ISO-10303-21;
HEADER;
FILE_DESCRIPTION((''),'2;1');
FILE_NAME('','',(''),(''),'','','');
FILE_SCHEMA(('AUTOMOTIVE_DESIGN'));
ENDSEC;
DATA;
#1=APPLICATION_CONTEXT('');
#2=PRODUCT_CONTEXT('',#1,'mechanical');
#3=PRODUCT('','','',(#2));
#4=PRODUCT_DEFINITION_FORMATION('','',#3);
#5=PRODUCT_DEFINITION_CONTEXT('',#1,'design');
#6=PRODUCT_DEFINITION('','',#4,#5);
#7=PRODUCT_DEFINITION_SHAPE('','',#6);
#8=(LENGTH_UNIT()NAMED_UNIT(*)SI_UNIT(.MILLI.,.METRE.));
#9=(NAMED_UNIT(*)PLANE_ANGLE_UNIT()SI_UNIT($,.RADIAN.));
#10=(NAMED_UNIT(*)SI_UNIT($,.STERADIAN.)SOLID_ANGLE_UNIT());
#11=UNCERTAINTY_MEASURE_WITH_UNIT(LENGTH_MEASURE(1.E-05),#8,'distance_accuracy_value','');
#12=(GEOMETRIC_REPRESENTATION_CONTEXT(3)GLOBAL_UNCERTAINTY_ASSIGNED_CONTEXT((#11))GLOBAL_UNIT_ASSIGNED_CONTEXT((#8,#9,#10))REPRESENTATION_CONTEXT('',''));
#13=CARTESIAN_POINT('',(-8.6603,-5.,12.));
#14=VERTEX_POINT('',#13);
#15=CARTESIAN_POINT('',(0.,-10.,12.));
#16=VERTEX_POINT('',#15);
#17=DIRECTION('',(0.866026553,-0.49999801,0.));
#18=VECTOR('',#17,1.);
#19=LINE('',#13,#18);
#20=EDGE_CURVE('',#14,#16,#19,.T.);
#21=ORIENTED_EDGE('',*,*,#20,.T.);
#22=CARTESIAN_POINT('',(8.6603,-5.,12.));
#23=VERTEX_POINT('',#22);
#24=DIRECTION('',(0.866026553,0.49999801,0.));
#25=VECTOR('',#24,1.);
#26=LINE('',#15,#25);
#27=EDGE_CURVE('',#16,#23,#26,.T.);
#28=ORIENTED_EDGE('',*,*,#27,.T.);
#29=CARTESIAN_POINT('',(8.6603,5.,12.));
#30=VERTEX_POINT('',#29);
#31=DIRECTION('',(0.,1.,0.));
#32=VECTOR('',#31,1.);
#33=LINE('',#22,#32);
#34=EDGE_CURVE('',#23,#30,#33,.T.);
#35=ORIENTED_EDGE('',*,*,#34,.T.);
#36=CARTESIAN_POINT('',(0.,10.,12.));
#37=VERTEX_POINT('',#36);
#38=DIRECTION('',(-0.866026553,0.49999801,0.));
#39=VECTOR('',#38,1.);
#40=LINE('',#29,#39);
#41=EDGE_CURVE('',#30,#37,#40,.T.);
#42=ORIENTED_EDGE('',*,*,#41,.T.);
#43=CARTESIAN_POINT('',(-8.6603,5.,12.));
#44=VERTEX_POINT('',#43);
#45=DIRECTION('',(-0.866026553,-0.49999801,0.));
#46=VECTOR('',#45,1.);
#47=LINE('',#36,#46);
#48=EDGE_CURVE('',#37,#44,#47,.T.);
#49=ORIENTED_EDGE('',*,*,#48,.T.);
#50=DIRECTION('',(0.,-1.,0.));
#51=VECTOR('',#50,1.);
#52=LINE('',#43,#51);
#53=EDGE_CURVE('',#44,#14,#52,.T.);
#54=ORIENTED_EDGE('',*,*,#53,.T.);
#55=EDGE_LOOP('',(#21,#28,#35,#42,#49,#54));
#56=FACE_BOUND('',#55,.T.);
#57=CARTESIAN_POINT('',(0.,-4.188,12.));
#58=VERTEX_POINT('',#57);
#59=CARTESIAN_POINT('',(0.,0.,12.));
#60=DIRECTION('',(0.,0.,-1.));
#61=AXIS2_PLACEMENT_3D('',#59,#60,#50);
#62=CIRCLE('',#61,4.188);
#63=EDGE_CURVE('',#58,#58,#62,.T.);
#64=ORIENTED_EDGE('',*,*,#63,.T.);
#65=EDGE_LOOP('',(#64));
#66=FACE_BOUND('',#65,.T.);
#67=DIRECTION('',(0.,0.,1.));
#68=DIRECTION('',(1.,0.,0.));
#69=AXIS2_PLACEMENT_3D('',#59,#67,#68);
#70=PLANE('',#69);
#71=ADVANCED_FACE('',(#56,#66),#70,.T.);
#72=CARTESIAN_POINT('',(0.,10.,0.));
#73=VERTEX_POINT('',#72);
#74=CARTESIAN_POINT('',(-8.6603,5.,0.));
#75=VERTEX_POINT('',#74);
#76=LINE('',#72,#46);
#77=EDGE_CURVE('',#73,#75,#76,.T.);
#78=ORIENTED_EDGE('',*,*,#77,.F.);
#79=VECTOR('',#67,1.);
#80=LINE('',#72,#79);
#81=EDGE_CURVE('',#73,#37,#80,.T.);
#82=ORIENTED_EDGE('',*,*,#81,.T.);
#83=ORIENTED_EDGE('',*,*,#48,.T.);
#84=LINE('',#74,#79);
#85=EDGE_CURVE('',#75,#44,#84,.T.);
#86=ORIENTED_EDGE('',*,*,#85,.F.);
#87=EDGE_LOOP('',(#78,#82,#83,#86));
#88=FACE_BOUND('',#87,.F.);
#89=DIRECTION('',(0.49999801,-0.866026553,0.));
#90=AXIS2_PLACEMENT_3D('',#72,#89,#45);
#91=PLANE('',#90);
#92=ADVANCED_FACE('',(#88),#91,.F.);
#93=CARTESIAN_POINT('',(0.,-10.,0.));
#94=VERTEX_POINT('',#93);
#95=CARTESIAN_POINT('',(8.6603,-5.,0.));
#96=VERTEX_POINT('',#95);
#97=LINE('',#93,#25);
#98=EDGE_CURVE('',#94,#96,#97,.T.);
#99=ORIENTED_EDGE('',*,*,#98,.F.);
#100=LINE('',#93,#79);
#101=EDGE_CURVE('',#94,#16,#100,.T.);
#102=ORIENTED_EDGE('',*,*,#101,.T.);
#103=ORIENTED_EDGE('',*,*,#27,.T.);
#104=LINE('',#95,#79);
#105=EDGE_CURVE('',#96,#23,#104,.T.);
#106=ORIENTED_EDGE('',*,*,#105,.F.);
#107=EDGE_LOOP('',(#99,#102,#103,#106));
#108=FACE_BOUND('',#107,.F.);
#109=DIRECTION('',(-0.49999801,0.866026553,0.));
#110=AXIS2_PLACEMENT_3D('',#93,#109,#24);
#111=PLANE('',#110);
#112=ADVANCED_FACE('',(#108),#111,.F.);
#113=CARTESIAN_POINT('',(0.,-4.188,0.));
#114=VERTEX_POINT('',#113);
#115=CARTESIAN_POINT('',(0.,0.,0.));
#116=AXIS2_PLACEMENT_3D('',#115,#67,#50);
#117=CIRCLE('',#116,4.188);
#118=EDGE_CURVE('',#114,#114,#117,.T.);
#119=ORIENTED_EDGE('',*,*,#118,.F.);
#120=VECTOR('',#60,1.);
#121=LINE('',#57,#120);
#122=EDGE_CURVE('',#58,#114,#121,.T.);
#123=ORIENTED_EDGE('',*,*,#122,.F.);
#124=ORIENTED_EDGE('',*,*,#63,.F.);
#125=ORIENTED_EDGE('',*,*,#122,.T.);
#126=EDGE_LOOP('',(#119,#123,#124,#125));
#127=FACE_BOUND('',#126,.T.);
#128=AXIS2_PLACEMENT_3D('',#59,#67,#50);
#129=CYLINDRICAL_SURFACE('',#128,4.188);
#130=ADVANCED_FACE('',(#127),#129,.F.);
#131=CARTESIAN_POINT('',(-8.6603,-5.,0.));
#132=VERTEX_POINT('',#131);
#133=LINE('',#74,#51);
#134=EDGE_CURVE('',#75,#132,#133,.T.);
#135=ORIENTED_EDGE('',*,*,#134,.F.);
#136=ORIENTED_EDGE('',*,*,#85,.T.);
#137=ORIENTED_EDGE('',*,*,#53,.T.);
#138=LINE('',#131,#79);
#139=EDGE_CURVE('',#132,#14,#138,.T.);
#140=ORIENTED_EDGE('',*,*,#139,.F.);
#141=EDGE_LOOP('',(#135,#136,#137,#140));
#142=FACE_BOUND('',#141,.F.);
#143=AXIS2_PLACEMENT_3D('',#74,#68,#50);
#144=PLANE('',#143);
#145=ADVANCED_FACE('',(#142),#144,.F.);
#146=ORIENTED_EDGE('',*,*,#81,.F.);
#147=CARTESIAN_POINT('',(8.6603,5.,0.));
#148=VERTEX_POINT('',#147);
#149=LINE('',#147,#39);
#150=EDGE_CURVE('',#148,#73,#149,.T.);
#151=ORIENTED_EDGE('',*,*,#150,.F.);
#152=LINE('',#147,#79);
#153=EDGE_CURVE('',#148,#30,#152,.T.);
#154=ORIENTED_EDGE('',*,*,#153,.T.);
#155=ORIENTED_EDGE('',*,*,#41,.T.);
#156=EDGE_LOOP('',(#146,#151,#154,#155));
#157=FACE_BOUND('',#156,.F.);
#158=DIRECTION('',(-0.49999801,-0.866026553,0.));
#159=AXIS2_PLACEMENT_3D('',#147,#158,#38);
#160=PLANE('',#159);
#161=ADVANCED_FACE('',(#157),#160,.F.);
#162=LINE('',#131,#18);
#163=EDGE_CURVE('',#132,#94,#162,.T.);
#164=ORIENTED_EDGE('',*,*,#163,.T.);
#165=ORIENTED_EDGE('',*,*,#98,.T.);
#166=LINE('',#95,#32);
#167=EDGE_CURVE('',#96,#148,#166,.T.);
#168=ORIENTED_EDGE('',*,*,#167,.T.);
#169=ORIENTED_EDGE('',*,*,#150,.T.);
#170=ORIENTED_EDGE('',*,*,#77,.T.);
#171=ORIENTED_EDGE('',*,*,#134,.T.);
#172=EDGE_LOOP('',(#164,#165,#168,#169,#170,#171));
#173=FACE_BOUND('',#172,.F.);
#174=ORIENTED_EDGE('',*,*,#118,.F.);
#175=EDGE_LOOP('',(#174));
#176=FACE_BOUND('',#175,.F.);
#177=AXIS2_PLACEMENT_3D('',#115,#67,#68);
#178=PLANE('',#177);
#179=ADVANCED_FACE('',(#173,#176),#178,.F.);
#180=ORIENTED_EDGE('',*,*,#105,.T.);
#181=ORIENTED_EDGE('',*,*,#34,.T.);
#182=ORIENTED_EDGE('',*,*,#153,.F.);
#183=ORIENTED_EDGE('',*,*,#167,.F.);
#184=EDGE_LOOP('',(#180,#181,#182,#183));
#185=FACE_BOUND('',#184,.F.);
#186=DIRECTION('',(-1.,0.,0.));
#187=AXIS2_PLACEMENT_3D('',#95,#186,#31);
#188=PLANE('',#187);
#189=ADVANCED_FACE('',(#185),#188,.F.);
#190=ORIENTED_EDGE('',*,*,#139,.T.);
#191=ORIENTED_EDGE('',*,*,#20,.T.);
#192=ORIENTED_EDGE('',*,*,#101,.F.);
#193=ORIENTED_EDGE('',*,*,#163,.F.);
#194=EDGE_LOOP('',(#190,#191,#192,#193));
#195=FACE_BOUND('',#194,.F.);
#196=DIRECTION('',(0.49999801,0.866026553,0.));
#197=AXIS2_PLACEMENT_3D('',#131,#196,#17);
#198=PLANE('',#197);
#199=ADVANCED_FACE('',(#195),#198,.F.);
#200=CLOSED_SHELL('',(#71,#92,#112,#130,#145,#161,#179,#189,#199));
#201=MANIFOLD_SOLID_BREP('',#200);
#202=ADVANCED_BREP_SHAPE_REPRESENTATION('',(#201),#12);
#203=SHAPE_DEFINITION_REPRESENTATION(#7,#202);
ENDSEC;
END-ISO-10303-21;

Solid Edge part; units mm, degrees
sketch "Sketch1" plane through (0, 0, 0) normal (0, 0, 1) x (1, 0, 0)
  line L0 (0, -10) -> (8.6603, -5)
  line L1 (8.6603, -5) -> (8.6603, 5)
  line L2 (8.6603, 5) -> (0, 10)
  line L3 (0, 10) -> (-8.6603, 5)
  line L4 (-8.6603, 5) -> (-8.6603, -5)
  line L5 (-8.6603, -5) -> (0, -10)
extrude "Protrusion1" add sketch "Sketch1" along normal blind 12
hole "Hole_1" at (0, 0, 12) direction (0, 0, -1) diameter 8.376 end up to next
